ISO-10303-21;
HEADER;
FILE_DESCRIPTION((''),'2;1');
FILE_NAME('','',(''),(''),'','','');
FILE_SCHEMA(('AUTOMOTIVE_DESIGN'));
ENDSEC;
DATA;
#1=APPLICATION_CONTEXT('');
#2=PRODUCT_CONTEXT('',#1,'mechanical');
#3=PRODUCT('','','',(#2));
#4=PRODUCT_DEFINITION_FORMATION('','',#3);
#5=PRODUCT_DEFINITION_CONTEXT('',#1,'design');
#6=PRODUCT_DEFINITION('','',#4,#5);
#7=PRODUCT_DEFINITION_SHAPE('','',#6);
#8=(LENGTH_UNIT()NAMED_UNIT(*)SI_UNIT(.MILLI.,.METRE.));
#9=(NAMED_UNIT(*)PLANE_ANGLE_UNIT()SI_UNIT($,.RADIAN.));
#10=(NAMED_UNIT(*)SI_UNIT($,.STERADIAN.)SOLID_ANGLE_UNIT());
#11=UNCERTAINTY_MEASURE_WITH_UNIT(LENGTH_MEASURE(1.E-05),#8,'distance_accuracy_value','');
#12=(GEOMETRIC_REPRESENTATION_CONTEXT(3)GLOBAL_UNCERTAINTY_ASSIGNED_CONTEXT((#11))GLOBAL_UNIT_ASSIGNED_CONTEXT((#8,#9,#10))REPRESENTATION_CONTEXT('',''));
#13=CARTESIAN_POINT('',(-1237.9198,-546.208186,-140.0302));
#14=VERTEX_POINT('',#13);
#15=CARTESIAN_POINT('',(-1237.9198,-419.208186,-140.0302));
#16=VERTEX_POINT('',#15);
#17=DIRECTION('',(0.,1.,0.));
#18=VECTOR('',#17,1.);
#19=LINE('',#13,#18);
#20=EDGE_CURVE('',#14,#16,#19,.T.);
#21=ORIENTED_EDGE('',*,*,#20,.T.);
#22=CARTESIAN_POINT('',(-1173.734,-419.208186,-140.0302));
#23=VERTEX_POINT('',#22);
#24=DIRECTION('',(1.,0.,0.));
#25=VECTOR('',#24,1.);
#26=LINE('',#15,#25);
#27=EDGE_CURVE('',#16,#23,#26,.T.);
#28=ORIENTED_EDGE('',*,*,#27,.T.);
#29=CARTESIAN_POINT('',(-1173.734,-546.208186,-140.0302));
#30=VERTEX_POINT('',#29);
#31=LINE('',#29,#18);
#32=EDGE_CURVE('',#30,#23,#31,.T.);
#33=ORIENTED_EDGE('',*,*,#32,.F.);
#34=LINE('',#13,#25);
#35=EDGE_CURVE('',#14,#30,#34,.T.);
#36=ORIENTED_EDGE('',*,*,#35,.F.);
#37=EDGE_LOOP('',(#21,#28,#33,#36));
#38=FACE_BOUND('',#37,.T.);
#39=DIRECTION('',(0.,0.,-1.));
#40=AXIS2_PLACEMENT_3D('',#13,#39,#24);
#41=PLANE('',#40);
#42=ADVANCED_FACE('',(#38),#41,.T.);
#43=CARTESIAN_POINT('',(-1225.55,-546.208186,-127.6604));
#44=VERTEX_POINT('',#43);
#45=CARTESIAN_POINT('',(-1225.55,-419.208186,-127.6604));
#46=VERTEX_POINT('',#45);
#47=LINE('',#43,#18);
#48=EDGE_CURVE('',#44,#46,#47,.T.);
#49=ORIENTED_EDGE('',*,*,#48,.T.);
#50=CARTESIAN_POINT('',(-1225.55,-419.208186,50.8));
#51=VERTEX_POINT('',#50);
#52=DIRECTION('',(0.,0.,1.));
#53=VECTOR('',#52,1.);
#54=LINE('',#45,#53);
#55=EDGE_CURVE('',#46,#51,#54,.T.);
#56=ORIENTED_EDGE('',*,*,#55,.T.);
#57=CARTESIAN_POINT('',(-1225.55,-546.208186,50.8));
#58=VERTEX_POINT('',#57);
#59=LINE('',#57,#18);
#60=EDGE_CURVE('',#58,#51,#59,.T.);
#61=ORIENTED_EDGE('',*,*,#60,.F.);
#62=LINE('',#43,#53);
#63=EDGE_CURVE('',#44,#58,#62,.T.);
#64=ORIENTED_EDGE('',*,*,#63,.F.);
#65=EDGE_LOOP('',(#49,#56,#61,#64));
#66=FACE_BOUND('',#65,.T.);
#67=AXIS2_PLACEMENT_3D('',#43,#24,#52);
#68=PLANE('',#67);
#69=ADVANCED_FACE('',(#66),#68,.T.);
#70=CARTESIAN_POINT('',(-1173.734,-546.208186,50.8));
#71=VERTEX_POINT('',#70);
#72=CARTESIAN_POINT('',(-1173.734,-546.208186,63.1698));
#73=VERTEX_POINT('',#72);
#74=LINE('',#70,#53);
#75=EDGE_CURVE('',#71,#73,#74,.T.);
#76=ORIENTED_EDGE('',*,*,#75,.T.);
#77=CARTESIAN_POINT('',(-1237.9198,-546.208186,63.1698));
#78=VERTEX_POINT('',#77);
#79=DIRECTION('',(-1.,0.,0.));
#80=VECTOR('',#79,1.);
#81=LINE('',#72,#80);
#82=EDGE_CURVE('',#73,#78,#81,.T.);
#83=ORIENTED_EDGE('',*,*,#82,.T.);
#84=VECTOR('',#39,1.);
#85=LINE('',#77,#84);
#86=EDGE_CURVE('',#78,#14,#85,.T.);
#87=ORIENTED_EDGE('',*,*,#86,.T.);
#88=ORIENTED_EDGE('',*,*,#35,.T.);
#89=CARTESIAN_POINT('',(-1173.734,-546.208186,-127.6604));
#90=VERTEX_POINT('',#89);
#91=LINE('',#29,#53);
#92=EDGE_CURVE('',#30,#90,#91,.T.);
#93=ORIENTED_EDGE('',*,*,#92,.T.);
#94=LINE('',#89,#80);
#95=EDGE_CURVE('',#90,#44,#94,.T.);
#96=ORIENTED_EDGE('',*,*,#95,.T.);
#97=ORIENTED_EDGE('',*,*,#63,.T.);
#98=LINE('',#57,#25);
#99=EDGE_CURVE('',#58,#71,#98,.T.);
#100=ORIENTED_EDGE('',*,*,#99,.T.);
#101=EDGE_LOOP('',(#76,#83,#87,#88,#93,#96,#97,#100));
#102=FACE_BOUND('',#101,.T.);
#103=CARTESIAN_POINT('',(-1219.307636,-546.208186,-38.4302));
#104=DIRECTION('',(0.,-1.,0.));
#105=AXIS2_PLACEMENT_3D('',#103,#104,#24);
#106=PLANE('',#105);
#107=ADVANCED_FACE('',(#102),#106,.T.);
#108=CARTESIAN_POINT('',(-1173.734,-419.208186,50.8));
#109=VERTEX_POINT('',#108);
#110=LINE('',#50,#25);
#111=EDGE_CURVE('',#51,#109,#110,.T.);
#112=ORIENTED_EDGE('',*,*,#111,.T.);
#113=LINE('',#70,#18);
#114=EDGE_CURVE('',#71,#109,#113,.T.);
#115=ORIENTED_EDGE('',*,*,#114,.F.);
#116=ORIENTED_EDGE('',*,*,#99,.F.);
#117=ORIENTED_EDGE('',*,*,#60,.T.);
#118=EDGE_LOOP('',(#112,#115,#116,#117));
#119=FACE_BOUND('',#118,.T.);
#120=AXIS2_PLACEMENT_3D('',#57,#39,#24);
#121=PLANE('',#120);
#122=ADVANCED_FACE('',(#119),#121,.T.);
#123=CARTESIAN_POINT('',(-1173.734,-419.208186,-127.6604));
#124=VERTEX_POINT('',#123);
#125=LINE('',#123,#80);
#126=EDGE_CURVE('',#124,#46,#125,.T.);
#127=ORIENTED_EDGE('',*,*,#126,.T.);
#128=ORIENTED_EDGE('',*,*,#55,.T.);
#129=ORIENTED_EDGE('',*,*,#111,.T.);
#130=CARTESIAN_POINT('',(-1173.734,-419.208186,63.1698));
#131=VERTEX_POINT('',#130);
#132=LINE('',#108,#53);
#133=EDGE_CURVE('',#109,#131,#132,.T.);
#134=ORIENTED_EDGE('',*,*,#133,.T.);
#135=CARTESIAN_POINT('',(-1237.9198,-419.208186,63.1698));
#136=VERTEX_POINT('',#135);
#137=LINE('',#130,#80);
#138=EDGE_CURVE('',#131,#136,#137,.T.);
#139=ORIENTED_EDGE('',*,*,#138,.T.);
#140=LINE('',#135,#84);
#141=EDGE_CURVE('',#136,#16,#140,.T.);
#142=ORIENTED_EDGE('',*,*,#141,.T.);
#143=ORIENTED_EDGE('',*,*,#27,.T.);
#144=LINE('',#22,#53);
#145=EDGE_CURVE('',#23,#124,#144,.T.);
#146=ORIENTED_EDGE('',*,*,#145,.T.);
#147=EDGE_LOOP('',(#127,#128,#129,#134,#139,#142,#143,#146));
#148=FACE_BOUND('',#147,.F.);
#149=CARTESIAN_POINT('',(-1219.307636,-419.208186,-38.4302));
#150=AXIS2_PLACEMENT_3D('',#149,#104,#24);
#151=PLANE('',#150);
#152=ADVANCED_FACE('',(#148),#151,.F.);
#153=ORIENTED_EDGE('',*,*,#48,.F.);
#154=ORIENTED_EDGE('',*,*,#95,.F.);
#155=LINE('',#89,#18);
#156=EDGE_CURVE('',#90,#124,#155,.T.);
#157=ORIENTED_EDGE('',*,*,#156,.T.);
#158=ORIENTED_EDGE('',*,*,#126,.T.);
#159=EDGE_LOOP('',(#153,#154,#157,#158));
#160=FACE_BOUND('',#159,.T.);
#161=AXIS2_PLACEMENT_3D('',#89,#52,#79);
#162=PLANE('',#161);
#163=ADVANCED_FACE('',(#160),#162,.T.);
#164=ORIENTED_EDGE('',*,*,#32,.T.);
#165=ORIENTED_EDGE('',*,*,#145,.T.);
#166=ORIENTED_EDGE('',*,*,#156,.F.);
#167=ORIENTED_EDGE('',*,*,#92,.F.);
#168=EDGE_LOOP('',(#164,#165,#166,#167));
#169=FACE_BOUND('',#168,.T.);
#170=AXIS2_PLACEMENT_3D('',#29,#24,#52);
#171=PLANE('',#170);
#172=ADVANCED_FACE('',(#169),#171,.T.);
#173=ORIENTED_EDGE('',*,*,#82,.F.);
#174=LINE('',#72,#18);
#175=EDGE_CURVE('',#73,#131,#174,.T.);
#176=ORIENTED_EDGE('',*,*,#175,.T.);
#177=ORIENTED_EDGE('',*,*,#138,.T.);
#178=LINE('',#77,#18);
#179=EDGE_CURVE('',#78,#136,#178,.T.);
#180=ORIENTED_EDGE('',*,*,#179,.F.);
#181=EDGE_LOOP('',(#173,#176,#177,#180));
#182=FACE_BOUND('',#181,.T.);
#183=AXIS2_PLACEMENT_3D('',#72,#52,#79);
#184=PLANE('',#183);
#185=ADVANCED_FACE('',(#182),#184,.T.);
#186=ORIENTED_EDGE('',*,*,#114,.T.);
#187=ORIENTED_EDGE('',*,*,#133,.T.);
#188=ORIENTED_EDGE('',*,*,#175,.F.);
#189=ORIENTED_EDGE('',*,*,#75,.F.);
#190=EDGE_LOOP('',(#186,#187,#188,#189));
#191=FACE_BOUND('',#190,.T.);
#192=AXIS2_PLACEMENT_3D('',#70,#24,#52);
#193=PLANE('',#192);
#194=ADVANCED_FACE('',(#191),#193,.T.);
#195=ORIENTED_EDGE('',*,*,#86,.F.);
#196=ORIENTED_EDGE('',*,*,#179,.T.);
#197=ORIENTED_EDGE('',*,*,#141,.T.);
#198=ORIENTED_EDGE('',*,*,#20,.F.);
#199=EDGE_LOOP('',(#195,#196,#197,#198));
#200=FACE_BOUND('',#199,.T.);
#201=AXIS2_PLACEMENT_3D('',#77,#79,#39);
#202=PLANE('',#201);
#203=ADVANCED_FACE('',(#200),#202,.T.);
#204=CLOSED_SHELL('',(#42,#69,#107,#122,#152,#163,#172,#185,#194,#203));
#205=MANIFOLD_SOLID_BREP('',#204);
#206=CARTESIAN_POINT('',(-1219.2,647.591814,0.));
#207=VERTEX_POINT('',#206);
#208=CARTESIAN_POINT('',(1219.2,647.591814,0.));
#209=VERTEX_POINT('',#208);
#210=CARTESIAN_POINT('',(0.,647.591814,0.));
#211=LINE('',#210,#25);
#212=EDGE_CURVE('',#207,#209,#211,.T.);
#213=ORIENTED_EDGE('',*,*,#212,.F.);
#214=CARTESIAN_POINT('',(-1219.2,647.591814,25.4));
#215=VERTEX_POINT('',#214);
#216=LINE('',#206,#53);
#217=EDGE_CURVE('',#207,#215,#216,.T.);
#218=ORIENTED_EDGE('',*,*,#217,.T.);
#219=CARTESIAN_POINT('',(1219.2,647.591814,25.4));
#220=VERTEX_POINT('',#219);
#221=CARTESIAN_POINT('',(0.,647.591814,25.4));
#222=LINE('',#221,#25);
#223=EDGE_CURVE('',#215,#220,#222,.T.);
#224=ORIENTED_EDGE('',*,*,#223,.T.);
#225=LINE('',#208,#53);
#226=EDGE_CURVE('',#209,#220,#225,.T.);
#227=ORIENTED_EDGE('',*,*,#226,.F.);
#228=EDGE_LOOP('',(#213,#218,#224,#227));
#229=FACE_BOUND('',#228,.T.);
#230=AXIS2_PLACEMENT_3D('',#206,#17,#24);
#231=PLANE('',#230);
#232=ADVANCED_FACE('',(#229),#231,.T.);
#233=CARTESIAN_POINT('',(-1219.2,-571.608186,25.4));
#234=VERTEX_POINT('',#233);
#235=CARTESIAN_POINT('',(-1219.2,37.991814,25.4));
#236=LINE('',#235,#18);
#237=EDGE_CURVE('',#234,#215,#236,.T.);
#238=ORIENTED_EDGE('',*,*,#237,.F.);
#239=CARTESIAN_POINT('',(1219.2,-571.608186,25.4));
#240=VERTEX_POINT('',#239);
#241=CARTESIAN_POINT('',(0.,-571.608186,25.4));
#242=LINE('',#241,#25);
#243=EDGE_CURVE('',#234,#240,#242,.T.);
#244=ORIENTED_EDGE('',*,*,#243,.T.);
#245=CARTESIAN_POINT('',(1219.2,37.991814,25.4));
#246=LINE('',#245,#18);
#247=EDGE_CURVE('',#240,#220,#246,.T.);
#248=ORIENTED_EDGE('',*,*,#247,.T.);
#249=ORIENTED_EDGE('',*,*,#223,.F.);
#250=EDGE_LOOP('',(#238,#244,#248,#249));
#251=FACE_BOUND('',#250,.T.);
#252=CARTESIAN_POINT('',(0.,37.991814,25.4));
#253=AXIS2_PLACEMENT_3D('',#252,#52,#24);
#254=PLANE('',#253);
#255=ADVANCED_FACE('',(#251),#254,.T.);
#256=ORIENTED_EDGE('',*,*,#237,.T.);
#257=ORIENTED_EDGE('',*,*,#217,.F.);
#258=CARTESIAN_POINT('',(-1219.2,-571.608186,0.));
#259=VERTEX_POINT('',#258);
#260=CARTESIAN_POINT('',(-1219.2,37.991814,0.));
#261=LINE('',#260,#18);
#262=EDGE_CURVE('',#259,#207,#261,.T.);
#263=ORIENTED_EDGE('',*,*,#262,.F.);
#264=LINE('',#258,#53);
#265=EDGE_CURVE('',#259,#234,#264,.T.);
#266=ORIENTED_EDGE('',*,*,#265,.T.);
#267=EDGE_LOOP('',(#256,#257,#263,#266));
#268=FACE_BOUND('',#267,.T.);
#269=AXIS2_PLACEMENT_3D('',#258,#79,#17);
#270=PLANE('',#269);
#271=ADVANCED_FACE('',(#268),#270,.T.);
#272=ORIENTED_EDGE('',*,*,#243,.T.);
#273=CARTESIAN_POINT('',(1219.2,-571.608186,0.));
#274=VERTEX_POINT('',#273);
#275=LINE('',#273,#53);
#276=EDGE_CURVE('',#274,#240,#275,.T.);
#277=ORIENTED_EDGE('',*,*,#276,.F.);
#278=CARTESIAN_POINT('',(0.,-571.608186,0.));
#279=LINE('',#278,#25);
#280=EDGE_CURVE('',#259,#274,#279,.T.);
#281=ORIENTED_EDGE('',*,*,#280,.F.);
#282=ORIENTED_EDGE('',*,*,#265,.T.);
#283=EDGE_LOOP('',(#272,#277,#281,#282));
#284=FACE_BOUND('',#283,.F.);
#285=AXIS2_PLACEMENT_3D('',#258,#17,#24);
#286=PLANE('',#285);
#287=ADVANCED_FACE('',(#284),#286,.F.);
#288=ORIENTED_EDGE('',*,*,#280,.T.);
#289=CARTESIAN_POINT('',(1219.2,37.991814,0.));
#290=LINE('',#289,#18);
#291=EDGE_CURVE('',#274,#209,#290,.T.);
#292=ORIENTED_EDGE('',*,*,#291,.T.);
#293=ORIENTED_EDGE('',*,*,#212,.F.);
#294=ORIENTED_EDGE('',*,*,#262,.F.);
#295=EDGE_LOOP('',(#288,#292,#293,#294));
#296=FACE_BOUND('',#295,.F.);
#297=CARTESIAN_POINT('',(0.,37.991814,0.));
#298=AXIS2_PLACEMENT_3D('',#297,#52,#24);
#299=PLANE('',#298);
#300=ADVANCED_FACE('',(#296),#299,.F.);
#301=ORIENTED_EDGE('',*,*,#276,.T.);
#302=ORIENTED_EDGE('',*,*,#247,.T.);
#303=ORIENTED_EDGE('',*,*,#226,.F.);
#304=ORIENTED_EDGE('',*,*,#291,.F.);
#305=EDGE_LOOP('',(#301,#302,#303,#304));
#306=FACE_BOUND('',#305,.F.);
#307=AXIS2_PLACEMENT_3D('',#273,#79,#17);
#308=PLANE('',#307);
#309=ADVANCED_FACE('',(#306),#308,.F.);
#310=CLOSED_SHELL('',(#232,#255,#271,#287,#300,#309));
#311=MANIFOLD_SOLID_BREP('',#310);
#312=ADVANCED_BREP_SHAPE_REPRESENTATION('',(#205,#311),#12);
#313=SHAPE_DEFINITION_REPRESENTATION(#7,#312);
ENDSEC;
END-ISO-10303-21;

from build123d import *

# Parameters (mm, degrees)
F0_W     = 2438.4
F0_H     = 1219.2
F1_DEPTH = 25.4
F4_DEPTH = 127


with BuildPart() as f1:
    # F0 (on Top) → F1 (new body)
    with BuildSketch(Plane.XY):
        with Locations((0, 37.9918139073)):
            Rectangle(F0_W, F0_H)
    extrude(amount=F1_DEPTH)


with BuildPart() as f4:
    # F3 (on offset) → F4 (new body)
    with BuildSketch(Plane.XZ.offset(546.2081860927)):
        Polygon((-1225.55, 63.1698), (-1237.9198, 63.1698), (-1237.9198, -8.0521171277), (-1237.9198, -127.6604), (-1237.9198, -140.0302), (-1225.55, -140.0302), (-1173.734, -140.0302), (-1173.734, -127.6604), (-1225.55, -127.6604), (-1225.55, 50.8), (-1173.734, 50.8), (-1173.734, 63.1698), align=None)
    extrude(amount=-F4_DEPTH)


solid = Compound([f1.part, f4.part])
